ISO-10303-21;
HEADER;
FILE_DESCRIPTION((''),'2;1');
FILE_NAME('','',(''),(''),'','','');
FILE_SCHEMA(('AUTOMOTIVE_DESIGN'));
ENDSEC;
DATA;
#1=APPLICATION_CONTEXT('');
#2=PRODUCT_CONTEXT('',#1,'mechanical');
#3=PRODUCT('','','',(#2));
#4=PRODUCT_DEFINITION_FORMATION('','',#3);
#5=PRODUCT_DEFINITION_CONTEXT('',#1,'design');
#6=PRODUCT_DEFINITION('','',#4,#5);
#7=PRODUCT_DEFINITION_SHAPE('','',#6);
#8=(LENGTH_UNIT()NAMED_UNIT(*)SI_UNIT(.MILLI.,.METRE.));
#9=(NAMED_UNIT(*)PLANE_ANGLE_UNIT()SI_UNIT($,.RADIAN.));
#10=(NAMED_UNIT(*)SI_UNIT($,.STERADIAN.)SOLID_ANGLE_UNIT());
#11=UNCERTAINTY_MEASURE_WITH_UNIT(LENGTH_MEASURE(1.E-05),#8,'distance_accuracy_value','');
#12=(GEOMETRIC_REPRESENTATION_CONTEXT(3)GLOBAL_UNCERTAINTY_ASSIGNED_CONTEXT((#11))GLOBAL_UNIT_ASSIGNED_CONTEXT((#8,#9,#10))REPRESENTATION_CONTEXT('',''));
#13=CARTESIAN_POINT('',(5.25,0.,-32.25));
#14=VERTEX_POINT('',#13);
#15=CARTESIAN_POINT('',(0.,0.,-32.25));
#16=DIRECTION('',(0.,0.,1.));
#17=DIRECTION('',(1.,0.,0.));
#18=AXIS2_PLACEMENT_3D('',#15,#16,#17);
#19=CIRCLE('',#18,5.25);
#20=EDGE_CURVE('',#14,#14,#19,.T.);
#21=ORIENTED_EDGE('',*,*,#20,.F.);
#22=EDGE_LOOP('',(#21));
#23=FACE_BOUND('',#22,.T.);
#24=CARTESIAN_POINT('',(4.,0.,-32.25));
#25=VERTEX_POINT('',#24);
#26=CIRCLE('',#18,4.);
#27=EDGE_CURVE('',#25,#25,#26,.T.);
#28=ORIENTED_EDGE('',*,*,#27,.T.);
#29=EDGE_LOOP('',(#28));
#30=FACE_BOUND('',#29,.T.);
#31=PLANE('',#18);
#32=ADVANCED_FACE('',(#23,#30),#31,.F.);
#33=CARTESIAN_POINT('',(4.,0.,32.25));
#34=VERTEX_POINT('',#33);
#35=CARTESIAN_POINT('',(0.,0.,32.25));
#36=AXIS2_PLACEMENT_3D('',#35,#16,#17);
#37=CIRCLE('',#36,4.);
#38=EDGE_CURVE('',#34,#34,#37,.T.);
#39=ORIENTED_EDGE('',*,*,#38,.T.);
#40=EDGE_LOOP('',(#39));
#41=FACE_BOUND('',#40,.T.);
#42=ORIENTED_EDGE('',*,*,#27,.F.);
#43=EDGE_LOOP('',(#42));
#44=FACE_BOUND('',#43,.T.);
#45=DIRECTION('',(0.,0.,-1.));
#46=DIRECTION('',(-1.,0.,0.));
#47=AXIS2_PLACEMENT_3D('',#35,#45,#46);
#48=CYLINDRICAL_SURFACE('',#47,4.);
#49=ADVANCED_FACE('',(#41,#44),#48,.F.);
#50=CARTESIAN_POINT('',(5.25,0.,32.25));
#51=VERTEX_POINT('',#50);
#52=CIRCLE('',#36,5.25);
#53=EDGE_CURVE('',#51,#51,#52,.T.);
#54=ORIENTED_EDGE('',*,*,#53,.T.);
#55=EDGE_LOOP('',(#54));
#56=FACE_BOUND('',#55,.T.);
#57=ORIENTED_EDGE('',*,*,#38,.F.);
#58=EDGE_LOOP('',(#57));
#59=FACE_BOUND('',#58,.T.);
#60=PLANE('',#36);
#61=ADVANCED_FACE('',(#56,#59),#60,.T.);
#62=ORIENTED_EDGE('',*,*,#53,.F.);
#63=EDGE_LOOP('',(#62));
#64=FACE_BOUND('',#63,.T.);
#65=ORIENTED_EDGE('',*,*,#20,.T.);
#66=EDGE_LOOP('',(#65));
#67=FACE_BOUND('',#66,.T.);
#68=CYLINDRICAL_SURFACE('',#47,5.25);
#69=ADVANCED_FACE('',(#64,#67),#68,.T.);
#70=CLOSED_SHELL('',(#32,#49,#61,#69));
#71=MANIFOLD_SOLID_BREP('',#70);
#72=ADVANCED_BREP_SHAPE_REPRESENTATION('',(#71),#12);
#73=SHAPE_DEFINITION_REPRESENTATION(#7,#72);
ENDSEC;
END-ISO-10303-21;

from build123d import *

# Parameters (mm, degrees)
SKETCH_1_R      = 5.25
SKETCH_1_R_2    = 4
EXTRUDE_1_DEPTH = 32.25


with BuildPart() as part:
    # 草图1 → 拉伸1 (new, symmetric)
    with BuildSketch(Plane.XY):
        Circle(SKETCH_1_R)
        Circle(SKETCH_1_R_2, mode=Mode.SUBTRACT)
    extrude(amount=EXTRUDE_1_DEPTH, both=True)


solid = part.part
